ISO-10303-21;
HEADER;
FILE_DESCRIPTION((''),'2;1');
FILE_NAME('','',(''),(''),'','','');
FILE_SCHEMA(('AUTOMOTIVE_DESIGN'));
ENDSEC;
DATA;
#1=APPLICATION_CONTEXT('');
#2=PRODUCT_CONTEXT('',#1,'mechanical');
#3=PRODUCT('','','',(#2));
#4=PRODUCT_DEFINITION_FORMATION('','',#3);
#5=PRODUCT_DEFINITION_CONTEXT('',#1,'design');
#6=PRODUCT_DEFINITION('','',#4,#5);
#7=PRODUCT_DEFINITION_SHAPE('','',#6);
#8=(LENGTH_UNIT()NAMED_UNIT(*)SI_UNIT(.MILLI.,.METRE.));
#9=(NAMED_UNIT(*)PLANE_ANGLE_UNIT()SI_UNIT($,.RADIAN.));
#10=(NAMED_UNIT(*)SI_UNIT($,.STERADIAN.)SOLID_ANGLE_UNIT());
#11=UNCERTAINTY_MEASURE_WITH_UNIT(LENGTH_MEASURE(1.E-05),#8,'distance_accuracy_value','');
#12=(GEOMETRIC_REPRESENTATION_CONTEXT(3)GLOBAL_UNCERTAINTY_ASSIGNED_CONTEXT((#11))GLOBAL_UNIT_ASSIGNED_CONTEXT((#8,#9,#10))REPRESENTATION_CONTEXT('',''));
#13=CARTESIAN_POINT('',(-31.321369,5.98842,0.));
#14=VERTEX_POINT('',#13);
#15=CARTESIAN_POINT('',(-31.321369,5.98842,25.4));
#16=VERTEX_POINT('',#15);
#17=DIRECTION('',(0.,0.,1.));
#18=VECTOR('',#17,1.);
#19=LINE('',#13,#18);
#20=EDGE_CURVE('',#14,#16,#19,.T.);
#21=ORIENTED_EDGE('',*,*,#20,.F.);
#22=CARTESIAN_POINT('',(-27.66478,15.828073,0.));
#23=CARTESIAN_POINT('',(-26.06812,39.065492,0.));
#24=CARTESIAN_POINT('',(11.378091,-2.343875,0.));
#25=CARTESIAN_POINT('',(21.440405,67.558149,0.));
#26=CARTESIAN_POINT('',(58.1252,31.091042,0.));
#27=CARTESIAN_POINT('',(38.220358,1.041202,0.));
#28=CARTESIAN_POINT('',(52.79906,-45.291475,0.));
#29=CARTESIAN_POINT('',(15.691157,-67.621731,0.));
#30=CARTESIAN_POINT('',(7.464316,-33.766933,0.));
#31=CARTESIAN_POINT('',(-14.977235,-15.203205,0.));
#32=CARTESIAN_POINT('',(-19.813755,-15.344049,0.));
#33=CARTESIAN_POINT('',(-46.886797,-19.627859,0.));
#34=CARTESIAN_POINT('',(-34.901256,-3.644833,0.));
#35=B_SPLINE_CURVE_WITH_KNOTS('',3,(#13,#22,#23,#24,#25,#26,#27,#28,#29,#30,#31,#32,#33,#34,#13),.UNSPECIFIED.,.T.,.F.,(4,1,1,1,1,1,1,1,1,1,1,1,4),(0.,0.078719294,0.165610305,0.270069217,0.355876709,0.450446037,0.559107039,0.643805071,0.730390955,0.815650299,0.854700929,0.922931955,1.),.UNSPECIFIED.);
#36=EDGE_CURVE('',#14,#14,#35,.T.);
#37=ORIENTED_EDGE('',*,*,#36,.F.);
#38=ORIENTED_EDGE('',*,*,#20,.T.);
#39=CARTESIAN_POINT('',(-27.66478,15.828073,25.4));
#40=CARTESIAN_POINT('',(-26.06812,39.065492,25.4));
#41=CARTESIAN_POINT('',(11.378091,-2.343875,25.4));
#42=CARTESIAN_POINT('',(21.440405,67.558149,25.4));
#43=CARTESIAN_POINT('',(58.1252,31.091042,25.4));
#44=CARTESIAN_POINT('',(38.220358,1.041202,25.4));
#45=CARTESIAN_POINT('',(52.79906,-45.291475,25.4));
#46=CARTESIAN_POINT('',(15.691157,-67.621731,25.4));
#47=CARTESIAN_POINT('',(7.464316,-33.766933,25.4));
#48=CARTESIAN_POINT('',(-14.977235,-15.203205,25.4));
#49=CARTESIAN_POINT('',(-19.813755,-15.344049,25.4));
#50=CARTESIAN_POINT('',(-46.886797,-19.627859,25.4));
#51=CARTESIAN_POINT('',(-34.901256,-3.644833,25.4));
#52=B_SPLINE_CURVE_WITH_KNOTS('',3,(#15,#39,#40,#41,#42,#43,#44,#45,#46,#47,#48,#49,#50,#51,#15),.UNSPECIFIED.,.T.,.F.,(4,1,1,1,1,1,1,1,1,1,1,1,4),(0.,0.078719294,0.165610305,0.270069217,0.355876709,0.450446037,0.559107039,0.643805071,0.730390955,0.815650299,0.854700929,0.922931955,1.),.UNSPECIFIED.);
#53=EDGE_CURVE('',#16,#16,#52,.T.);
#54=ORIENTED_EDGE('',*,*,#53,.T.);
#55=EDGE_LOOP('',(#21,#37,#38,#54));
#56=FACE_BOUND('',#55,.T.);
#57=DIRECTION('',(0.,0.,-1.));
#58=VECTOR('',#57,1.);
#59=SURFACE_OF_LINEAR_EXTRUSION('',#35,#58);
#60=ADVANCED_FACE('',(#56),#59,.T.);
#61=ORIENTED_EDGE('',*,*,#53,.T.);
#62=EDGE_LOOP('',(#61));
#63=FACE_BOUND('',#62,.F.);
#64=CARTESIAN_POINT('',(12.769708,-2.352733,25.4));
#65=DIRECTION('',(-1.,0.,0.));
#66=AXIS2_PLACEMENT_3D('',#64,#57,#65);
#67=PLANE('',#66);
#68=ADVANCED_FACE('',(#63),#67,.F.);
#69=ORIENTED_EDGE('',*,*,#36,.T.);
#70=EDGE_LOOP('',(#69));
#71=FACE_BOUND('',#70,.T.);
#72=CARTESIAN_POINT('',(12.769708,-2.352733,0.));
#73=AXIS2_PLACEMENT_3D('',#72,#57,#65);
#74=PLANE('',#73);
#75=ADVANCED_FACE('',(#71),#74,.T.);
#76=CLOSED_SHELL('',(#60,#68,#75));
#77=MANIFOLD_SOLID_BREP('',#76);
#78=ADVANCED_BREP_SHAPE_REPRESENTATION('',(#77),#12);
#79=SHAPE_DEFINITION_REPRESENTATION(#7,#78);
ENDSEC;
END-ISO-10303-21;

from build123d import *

# Parameters (mm, degrees)
F1_DEPTH = 25.4


with BuildPart() as f1:
    # F0 (on Top) → F1 (new body)
    with BuildSketch(Plane.XY):
        with BuildLine():
            add(Edge.make_bspline(
                [(-31.3213691115, 5.9884195216), (-27.6647802091, 15.8280727247), (-26.0681199479, 39.0654915766), (11.3780908709, -2.34387548), (21.4404050286, 67.5581490312), (58.1252000365, 31.0910423878), (38.2203584339, 1.041201811), (52.7990595979, -45.2914752326), (15.6911571652, -67.6217306328), (7.4643159821, -33.7669327169), (-14.9772350801, -15.2032054913), (-19.8137545291, -15.3440489926), (-46.8867966863, -19.6278589397), (-34.901255838, -3.6448328986), (-31.3213691115, 5.9884195216)],
                knots=[0, 0, 0, 0, 0.0787192942, 0.1656103049, 0.2700692173, 0.3558767095, 0.450446037, 0.5591070386, 0.6438050711, 0.7303909555, 0.8156502986, 0.8547009295, 0.9229319554, 1, 1, 1, 1], degree=3))
        make_face()
    extrude(amount=F1_DEPTH)


solid = f1.part
